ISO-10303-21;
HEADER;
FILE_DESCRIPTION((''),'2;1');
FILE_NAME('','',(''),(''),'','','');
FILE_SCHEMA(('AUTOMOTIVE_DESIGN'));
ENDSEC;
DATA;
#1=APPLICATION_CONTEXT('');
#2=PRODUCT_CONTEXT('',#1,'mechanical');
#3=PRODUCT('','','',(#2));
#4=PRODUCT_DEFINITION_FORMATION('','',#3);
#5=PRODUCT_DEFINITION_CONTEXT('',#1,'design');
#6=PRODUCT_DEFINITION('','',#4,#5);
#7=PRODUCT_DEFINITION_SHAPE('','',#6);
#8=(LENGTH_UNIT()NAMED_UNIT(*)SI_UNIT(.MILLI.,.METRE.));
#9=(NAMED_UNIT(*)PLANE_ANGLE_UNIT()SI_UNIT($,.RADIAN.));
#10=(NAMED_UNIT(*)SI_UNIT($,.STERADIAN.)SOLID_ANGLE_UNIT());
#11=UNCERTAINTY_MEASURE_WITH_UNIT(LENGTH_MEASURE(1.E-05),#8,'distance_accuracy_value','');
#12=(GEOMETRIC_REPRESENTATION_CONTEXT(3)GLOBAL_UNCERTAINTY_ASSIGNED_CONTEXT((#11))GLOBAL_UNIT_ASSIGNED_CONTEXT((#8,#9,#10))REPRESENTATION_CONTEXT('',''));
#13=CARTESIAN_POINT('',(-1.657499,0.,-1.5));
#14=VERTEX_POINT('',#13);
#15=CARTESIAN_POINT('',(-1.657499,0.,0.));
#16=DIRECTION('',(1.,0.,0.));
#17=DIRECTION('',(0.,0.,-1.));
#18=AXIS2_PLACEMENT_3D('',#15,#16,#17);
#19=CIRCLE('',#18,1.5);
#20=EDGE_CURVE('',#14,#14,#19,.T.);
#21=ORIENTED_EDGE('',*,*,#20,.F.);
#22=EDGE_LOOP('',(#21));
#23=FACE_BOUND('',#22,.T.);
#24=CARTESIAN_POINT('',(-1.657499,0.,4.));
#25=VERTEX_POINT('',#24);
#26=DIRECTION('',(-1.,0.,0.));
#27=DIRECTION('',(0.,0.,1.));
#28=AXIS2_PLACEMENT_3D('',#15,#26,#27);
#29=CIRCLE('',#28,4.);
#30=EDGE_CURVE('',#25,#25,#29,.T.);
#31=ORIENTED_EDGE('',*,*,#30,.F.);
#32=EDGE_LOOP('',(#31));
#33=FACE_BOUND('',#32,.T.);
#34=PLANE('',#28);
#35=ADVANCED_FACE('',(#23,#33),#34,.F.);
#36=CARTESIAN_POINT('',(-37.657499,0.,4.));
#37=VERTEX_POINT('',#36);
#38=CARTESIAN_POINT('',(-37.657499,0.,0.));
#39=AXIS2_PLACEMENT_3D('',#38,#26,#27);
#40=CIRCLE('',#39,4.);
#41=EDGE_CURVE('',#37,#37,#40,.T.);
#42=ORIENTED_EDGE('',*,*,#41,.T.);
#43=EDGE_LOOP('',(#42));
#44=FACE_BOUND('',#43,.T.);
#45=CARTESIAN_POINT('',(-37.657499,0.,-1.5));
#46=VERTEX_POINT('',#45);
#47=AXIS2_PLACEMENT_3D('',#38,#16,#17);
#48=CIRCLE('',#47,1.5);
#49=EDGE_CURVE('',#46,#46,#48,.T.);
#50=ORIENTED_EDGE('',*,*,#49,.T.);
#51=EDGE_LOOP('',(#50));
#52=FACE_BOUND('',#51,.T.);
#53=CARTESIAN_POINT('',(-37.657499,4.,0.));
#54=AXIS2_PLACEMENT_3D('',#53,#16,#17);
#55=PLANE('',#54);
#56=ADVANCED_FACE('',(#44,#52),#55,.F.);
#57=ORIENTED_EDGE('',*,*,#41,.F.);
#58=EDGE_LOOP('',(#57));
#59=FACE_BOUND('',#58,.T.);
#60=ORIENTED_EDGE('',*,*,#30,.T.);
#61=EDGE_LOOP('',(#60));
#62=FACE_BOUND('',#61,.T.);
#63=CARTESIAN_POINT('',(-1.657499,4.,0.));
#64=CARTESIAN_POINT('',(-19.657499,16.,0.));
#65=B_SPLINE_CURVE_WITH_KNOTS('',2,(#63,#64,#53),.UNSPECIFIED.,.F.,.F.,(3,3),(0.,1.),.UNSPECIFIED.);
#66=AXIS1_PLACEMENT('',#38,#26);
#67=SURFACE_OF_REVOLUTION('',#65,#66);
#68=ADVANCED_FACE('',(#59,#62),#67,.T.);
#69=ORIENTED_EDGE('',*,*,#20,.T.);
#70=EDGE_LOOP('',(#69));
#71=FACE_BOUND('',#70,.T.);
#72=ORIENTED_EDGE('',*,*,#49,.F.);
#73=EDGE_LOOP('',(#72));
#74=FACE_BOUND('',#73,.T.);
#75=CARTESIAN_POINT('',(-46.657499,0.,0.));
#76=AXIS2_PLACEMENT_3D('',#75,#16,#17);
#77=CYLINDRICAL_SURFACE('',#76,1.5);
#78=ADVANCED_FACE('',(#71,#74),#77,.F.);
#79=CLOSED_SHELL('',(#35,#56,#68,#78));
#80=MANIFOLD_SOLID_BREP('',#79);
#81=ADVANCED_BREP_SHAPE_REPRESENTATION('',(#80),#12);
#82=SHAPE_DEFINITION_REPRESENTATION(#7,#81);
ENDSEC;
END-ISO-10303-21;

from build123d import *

# Parameters (mm, degrees)
SKETCH_2_R          = 1.5
CUT_EXTRUDE_1_DEPTH = 45


with BuildPart() as part:
    # 草图1 → 旋转1 (revolve)
    with BuildSketch(Plane.XY):
        with BuildLine():
            Line((-1.657499238, 0), (-1.657499238, 4))
            add(Edge.make_bspline(
                [(-1.657499238, 4), (-19.657499238, 16), (-37.657499238, 4)],
                knots=[0, 0, 0, 1, 1, 1], degree=2))
            Line((-37.657499238, 4), (-37.657499238, 0))
            Line((-37.657499238, 0), (-1.657499238, 0))
        make_face()
    revolve(axis=Axis((-37.657499238, 0, 0), (1, 0, 0)))

    # 草图2 → 切除-拉伸1 (cut)
    with BuildSketch(Plane(origin=(-1.657499238, 0, 0), x_dir=(0, 0, -1), z_dir=(1, 0, 0))):
        Circle(SKETCH_2_R)
    extrude(amount=-CUT_EXTRUDE_1_DEPTH, mode=Mode.SUBTRACT)


solid = part.part
